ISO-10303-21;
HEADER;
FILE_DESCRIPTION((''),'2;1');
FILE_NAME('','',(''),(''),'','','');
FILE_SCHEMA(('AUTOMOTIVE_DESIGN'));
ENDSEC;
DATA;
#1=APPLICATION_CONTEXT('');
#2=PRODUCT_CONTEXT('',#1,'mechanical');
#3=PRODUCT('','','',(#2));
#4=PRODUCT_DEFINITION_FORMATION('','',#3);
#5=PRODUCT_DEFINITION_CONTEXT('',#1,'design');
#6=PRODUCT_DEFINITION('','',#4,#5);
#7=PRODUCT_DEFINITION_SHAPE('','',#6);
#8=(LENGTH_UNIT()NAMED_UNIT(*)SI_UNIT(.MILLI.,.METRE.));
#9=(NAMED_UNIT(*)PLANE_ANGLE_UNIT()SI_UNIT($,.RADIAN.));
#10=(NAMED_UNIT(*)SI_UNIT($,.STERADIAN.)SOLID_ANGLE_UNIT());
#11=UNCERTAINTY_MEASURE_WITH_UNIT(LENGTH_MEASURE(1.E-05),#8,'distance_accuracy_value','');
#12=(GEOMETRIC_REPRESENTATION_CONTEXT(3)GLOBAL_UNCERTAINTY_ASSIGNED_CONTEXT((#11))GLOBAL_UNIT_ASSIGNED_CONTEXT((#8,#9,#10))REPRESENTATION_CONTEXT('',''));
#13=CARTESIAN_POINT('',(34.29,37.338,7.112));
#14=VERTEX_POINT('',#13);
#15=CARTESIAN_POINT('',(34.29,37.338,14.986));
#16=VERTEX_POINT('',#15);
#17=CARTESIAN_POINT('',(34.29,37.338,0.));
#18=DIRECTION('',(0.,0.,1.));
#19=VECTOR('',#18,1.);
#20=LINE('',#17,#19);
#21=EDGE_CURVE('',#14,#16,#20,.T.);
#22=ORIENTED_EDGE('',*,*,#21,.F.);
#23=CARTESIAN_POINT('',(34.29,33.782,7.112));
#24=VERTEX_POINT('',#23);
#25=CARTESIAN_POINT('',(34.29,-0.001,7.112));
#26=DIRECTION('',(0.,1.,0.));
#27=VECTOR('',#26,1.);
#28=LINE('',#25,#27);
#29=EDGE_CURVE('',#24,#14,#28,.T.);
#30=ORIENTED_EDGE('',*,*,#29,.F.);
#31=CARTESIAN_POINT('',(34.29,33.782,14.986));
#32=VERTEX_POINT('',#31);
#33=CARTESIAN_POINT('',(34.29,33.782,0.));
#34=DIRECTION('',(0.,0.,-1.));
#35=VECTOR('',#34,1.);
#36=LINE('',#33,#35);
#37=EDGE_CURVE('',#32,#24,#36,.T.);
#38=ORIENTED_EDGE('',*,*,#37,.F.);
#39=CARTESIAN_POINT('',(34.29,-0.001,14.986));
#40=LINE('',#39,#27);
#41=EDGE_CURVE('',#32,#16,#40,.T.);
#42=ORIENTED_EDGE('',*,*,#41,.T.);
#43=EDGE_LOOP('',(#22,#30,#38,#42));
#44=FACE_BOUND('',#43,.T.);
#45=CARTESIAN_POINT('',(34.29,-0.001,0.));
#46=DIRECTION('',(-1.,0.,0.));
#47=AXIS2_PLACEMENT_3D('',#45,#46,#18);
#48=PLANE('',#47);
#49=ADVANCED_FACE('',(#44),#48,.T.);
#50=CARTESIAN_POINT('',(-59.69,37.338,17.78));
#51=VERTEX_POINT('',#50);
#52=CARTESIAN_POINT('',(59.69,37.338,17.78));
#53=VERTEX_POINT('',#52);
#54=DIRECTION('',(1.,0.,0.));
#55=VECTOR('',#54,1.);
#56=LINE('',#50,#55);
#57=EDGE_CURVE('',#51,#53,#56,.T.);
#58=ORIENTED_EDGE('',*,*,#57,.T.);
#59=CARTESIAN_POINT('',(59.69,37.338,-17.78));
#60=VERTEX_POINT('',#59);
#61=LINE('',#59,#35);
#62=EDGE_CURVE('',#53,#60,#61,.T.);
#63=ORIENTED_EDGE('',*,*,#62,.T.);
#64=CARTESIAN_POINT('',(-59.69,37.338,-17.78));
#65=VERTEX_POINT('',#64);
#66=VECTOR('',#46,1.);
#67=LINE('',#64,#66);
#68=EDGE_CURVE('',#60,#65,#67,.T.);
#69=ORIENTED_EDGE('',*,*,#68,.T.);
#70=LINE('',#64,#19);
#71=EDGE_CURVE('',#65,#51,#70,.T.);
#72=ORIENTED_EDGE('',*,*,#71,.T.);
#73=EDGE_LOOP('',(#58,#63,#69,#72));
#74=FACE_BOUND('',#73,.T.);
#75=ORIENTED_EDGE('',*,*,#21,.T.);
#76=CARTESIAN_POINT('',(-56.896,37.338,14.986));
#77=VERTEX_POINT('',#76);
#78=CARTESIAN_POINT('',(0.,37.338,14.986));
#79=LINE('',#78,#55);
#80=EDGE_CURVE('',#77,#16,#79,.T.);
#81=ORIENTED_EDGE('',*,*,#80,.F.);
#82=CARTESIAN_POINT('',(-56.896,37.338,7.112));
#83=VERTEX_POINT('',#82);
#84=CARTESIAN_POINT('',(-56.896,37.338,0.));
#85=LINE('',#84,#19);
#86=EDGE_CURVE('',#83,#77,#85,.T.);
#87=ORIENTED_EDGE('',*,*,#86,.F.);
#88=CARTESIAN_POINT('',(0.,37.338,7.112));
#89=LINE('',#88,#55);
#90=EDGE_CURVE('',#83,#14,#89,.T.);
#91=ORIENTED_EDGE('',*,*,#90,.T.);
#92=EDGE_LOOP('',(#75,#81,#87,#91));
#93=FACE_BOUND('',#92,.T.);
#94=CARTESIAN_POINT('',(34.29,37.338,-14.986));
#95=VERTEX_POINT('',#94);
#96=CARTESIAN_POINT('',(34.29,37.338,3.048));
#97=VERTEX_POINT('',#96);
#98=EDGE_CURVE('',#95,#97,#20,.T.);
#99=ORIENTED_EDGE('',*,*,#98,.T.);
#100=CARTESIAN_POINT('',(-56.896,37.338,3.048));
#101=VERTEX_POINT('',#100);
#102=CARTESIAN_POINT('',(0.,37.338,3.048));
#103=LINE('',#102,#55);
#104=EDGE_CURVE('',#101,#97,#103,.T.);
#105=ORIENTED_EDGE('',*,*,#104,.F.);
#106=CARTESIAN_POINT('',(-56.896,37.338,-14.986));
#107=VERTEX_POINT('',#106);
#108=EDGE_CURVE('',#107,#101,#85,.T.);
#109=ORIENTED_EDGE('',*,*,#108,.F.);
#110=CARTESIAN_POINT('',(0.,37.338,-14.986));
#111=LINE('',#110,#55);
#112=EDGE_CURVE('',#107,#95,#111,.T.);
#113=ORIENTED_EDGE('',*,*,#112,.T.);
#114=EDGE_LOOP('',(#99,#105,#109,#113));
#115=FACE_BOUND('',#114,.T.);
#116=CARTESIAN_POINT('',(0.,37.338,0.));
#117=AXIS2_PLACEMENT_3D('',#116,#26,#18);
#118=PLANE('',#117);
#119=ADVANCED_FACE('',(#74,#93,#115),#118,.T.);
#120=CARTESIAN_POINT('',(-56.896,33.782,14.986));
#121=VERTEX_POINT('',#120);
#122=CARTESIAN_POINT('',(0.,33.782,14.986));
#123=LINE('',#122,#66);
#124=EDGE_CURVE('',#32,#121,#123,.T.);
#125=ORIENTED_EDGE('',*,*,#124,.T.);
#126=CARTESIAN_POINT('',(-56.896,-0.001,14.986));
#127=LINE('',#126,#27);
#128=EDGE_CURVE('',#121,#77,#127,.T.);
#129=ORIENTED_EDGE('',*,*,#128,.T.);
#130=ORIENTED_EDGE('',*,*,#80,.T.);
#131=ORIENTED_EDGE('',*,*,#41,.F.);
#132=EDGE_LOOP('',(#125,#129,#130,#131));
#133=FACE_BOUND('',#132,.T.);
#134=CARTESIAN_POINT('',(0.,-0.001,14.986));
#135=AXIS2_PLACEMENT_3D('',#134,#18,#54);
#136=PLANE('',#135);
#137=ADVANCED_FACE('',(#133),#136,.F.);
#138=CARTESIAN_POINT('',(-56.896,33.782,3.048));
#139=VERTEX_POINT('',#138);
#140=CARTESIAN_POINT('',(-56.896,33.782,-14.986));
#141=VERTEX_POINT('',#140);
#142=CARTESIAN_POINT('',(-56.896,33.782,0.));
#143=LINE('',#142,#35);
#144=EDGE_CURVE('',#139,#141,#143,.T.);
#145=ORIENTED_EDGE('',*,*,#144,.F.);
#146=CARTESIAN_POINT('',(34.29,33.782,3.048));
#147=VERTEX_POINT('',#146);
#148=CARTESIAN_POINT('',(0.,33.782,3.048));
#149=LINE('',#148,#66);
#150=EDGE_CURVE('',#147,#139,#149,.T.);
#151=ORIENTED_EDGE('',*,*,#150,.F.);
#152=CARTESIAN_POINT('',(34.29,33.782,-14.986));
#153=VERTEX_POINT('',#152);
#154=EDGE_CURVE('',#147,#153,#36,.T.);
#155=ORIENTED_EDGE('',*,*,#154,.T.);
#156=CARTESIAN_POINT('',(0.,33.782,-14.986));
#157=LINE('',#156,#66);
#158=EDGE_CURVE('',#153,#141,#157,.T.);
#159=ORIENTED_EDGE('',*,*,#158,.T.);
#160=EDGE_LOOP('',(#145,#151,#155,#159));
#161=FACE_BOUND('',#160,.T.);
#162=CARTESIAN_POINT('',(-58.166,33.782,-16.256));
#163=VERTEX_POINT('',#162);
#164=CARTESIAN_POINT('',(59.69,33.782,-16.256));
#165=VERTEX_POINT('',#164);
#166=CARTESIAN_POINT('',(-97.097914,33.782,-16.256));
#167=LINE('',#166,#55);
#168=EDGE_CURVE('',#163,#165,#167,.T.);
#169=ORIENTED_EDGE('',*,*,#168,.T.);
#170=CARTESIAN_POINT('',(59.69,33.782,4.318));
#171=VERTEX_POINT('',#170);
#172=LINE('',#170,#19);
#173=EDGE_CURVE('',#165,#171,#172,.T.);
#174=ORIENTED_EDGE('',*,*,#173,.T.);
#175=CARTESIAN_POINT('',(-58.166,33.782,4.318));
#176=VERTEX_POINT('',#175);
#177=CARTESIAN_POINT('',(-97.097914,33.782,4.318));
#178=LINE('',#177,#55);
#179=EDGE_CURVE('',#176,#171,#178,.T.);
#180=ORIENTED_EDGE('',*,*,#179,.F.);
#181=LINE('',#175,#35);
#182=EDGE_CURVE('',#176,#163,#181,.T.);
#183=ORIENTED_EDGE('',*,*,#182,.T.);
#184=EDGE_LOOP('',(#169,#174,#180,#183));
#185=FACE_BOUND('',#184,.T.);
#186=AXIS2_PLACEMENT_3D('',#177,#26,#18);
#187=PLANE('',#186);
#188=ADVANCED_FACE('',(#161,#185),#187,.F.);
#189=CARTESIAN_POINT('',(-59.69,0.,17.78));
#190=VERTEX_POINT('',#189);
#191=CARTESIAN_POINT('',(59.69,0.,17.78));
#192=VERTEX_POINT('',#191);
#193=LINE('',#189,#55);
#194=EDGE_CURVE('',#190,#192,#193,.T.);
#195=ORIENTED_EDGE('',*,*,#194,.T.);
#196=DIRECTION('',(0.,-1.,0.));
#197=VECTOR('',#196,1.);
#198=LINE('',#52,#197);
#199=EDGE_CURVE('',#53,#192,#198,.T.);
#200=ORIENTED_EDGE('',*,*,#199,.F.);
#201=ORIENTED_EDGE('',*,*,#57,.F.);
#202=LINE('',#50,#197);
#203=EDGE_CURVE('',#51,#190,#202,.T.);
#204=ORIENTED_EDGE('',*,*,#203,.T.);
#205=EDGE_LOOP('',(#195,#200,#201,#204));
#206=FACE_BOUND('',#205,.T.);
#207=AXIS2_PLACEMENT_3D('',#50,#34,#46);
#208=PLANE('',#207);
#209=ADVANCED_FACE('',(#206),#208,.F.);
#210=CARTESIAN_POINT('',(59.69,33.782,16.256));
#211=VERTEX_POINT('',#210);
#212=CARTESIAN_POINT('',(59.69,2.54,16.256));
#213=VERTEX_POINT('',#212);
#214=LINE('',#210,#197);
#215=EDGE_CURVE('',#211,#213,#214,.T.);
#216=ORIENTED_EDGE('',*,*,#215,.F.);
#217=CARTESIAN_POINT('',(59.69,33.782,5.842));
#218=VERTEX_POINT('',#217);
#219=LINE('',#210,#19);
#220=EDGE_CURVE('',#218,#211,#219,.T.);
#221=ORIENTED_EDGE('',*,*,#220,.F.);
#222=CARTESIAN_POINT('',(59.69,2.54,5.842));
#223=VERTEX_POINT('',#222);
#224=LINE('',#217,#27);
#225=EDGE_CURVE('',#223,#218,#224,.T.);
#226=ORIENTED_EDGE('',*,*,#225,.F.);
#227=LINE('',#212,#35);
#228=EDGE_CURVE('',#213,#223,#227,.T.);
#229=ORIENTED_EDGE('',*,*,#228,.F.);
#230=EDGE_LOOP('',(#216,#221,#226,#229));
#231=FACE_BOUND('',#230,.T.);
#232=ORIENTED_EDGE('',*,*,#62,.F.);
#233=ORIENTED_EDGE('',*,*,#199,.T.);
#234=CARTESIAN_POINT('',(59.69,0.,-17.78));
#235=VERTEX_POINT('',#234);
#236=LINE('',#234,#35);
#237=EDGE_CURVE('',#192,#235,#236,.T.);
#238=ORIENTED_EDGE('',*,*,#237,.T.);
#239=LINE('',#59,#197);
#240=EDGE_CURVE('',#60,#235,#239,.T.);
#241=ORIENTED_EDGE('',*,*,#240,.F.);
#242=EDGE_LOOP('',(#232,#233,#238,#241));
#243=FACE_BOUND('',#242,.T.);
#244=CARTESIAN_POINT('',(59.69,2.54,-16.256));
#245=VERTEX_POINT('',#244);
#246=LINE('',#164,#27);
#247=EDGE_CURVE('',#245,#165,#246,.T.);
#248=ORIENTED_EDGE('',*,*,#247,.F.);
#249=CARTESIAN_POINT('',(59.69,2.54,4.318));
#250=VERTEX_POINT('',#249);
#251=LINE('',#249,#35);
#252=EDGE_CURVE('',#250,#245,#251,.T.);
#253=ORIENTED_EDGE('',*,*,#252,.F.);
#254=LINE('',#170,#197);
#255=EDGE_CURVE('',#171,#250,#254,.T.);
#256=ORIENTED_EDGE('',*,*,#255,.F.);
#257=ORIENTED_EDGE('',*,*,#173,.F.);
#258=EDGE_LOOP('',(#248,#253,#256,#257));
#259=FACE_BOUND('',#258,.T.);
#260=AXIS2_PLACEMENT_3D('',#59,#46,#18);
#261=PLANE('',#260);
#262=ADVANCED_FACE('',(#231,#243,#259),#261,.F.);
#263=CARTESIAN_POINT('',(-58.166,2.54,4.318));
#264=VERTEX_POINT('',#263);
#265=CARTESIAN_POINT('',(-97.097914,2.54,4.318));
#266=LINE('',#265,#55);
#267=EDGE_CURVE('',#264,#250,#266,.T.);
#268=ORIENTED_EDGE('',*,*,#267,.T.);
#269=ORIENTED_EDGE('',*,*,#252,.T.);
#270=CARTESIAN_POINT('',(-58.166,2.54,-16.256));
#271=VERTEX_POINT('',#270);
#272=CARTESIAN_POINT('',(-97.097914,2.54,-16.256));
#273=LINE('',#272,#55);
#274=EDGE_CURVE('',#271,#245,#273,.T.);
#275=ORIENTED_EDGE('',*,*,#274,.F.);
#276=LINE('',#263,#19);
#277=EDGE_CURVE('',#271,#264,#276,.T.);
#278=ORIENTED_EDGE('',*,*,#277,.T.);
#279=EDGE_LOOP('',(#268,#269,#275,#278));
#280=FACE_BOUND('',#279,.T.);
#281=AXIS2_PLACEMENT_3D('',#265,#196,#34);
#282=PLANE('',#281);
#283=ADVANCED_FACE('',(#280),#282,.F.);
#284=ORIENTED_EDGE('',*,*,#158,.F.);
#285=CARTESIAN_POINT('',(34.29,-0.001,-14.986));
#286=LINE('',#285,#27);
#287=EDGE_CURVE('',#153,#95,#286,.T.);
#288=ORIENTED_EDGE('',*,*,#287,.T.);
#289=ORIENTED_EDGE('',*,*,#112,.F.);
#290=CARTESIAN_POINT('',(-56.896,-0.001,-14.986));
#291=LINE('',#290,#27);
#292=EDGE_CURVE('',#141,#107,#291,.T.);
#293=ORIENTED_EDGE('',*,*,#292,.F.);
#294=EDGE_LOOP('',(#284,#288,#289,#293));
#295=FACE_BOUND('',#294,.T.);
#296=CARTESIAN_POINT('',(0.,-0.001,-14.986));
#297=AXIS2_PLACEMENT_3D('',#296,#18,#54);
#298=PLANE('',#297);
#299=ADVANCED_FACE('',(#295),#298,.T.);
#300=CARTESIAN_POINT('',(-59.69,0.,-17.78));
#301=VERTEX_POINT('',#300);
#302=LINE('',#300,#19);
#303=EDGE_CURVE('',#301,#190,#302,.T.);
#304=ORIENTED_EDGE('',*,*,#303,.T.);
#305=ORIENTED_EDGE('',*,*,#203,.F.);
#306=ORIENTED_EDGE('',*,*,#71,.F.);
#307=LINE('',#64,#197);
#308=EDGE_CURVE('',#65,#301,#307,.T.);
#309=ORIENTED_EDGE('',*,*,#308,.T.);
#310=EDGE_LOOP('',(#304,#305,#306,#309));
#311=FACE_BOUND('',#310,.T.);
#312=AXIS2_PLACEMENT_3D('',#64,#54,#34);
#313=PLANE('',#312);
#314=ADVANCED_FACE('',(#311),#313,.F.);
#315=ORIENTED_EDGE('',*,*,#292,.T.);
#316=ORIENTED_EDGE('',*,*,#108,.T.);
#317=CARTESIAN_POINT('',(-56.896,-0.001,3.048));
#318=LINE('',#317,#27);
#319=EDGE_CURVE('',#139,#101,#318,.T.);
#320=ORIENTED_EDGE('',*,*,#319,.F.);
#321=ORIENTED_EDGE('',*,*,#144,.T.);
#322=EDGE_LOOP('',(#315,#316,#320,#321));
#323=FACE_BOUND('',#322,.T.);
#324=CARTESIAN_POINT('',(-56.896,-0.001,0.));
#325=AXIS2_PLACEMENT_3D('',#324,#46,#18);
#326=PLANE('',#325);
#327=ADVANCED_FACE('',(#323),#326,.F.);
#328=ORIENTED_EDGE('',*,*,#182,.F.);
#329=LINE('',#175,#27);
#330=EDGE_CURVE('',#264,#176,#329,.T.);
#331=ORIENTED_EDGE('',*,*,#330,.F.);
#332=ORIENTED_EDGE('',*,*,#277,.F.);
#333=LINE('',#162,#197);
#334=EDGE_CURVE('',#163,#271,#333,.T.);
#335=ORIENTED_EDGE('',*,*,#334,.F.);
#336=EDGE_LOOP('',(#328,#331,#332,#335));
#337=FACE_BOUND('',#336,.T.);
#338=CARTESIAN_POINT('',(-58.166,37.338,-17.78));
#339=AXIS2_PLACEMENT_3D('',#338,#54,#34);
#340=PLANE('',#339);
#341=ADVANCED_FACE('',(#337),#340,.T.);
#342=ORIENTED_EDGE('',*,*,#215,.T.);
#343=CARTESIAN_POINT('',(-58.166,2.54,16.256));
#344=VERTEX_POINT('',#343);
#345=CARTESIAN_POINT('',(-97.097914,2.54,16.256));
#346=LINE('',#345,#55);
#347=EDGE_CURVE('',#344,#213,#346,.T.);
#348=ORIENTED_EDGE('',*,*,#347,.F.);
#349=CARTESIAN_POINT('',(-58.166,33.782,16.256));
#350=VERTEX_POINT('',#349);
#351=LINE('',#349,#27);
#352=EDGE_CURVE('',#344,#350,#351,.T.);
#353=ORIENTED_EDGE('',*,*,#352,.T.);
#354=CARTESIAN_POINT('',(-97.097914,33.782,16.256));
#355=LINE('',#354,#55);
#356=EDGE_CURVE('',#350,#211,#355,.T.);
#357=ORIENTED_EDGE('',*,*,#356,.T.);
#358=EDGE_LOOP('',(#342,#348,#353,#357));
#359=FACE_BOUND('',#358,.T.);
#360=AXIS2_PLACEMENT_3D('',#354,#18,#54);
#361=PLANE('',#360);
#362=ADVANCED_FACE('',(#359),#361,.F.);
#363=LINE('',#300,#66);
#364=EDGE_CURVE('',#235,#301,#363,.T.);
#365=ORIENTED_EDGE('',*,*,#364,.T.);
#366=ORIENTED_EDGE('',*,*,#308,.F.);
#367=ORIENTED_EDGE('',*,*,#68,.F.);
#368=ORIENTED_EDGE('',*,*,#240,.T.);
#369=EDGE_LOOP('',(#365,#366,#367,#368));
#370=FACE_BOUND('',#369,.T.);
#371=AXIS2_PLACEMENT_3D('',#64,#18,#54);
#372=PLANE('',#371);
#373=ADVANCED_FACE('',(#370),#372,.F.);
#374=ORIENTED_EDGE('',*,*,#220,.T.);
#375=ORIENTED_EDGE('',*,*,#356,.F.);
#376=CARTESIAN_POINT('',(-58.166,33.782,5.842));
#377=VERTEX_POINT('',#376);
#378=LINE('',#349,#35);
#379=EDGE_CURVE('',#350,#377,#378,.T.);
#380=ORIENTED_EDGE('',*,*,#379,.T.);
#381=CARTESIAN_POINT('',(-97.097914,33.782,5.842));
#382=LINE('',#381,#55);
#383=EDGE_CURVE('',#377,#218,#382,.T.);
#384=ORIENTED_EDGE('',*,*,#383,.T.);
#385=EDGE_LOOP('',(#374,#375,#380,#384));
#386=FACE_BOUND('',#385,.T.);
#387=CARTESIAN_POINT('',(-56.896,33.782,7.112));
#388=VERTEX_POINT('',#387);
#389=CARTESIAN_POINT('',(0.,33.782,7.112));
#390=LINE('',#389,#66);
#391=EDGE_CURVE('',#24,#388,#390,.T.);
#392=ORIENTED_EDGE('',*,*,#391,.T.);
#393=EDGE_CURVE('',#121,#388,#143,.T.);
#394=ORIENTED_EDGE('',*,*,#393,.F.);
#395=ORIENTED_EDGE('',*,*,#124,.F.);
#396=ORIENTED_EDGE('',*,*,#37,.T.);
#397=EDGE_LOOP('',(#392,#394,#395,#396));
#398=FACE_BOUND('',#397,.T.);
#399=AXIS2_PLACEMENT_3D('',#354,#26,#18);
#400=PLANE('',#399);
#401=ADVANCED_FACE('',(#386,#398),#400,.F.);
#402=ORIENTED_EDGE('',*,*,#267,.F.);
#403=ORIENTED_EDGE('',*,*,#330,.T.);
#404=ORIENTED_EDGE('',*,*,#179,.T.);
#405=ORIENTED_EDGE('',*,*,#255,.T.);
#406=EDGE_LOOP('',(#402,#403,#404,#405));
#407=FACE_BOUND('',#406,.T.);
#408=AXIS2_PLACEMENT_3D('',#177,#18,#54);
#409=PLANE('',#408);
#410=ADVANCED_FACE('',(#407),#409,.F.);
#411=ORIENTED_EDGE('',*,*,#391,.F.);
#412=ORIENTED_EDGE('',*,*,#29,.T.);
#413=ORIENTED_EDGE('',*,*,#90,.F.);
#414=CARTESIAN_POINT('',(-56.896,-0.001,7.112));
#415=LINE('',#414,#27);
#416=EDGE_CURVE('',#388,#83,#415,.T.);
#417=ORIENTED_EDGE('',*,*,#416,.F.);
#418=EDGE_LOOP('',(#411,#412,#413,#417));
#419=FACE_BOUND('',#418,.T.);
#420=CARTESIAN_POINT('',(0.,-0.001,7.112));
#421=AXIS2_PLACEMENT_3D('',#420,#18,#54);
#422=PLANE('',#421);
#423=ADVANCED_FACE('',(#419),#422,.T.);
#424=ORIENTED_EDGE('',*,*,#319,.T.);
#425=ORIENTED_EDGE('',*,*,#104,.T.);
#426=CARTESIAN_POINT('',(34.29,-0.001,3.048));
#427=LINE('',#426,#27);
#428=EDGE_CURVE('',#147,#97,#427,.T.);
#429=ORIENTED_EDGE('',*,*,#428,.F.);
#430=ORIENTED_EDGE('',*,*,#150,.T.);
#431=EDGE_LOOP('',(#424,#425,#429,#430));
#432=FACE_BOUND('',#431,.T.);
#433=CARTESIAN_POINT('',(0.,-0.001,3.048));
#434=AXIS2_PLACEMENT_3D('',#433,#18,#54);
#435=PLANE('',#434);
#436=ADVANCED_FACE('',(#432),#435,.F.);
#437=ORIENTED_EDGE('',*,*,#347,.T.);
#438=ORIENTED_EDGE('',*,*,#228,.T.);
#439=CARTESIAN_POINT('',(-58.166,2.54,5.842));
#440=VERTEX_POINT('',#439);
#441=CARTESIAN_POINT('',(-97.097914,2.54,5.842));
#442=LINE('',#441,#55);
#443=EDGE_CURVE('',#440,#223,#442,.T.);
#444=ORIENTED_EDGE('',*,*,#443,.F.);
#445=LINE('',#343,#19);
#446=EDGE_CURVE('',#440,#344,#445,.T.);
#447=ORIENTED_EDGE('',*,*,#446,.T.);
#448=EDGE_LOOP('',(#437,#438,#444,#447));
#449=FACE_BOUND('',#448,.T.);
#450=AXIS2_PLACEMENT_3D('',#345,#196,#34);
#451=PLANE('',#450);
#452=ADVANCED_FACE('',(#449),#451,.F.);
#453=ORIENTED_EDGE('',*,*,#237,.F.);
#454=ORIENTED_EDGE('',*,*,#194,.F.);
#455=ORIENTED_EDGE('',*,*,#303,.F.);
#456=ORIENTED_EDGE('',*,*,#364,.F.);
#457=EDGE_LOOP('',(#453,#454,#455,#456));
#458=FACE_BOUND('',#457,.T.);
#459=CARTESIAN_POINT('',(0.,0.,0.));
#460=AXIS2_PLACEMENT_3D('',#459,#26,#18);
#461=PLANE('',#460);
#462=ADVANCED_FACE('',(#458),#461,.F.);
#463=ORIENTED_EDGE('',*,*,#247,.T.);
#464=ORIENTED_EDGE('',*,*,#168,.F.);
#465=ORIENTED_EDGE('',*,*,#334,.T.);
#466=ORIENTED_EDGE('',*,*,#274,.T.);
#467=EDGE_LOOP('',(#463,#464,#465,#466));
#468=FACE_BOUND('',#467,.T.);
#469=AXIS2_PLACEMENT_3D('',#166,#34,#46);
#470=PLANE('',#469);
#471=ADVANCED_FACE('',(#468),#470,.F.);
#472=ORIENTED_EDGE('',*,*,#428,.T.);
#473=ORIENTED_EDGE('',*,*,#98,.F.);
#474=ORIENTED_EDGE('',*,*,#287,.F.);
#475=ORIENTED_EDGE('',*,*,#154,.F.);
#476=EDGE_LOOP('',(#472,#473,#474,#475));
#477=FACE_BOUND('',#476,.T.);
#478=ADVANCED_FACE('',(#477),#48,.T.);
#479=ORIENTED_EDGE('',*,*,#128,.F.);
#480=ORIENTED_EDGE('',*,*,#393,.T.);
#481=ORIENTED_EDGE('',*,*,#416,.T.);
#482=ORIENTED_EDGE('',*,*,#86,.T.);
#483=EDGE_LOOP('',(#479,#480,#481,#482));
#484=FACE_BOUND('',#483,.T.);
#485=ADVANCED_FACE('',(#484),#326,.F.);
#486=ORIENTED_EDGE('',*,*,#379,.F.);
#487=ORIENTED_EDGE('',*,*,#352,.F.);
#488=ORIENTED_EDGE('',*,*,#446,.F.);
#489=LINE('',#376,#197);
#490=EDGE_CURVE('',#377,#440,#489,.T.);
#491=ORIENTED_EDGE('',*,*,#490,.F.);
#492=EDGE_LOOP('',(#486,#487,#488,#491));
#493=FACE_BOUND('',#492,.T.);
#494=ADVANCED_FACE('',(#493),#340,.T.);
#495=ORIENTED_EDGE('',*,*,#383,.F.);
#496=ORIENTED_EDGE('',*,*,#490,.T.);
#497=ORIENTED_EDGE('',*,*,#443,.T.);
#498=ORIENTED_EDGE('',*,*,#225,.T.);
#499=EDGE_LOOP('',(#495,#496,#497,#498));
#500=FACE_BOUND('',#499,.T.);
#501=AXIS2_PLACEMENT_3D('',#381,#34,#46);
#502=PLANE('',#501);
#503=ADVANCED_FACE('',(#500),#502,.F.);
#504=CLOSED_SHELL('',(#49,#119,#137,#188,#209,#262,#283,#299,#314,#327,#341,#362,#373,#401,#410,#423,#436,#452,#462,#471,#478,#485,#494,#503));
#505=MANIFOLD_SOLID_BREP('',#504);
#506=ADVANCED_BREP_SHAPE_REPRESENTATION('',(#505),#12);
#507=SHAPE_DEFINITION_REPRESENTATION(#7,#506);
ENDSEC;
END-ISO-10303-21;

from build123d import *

# Parameters (mm, degrees)
SKETCH1_W           = 119.38
SKETCH1_H           = 35.56
BOSS_EXTRUDE1_DEPTH = 37.338
SKETCH2_W           = 10.414
SKETCH2_H           = 31.242
SKETCH2_W_2         = 20.574
CUT_EXTRUDE1_DEPTH  = 117.856
CUT_EXTRUDE2_REACH  = 39.338
SKETCH3_W           = 91.186
SKETCH3_H           = 18.034
SKETCH3_H_2         = 7.874


with BuildPart() as part:
    # Sketch1 → Boss-Extrude1 (new body)
    with BuildSketch(Plane(origin=(0, 0, 0), x_dir=(1, 0, 0), z_dir=(0, 1, 0))):
        Rectangle(SKETCH1_W, SKETCH1_H)
    extrude(amount=BOSS_EXTRUDE1_DEPTH)

    # Sketch2 → Cut-Extrude1 (cut)
    with BuildSketch(Plane(origin=(59.69, 0, 0), x_dir=(0, 0, -1), z_dir=(1, 0, 0))):
        with Locations((-11.049, 18.161)):
            Rectangle(SKETCH2_W, SKETCH2_H)
        with Locations((5.969, 18.161)):
            Rectangle(SKETCH2_W_2, SKETCH2_H)
    extrude(amount=-CUT_EXTRUDE1_DEPTH, mode=Mode.SUBTRACT)

    # Sketch3 → Cut-Extrude2 (cut, up to next)
    with BuildSketch(Plane(origin=(0, 37.338, 0), x_dir=(1, 0, 0), z_dir=(0, 1, 0)), mode=Mode.PRIVATE) as cut_extrude2_sk1:
        with Locations((-11.303, 5.969)):
            Rectangle(SKETCH3_W, SKETCH3_H)
    cut_extrude2_tool1 = extrude(cut_extrude2_sk1.sketch, amount=-CUT_EXTRUDE2_REACH, mode=Mode.PRIVATE) & part.part
    add(cut_extrude2_tool1.solids().sort_by_distance((-11.303, 37.338, -5.969))[0], mode=Mode.SUBTRACT)
    # Sketch3 → Cut-Extrude2 (cut, up to next)
    with BuildSketch(Plane(origin=(0, 37.338, 0), x_dir=(1, 0, 0), z_dir=(0, 1, 0)), mode=Mode.PRIVATE) as cut_extrude2_sk2:
        with Locations((-11.303, -11.049)):
            Rectangle(SKETCH3_W, SKETCH3_H_2)
    cut_extrude2_tool2 = extrude(cut_extrude2_sk2.sketch, amount=-CUT_EXTRUDE2_REACH, mode=Mode.PRIVATE) & part.part
    add(cut_extrude2_tool2.solids().sort_by_distance((-11.303, 37.338, 11.049))[0], mode=Mode.SUBTRACT)


solid = part.part
